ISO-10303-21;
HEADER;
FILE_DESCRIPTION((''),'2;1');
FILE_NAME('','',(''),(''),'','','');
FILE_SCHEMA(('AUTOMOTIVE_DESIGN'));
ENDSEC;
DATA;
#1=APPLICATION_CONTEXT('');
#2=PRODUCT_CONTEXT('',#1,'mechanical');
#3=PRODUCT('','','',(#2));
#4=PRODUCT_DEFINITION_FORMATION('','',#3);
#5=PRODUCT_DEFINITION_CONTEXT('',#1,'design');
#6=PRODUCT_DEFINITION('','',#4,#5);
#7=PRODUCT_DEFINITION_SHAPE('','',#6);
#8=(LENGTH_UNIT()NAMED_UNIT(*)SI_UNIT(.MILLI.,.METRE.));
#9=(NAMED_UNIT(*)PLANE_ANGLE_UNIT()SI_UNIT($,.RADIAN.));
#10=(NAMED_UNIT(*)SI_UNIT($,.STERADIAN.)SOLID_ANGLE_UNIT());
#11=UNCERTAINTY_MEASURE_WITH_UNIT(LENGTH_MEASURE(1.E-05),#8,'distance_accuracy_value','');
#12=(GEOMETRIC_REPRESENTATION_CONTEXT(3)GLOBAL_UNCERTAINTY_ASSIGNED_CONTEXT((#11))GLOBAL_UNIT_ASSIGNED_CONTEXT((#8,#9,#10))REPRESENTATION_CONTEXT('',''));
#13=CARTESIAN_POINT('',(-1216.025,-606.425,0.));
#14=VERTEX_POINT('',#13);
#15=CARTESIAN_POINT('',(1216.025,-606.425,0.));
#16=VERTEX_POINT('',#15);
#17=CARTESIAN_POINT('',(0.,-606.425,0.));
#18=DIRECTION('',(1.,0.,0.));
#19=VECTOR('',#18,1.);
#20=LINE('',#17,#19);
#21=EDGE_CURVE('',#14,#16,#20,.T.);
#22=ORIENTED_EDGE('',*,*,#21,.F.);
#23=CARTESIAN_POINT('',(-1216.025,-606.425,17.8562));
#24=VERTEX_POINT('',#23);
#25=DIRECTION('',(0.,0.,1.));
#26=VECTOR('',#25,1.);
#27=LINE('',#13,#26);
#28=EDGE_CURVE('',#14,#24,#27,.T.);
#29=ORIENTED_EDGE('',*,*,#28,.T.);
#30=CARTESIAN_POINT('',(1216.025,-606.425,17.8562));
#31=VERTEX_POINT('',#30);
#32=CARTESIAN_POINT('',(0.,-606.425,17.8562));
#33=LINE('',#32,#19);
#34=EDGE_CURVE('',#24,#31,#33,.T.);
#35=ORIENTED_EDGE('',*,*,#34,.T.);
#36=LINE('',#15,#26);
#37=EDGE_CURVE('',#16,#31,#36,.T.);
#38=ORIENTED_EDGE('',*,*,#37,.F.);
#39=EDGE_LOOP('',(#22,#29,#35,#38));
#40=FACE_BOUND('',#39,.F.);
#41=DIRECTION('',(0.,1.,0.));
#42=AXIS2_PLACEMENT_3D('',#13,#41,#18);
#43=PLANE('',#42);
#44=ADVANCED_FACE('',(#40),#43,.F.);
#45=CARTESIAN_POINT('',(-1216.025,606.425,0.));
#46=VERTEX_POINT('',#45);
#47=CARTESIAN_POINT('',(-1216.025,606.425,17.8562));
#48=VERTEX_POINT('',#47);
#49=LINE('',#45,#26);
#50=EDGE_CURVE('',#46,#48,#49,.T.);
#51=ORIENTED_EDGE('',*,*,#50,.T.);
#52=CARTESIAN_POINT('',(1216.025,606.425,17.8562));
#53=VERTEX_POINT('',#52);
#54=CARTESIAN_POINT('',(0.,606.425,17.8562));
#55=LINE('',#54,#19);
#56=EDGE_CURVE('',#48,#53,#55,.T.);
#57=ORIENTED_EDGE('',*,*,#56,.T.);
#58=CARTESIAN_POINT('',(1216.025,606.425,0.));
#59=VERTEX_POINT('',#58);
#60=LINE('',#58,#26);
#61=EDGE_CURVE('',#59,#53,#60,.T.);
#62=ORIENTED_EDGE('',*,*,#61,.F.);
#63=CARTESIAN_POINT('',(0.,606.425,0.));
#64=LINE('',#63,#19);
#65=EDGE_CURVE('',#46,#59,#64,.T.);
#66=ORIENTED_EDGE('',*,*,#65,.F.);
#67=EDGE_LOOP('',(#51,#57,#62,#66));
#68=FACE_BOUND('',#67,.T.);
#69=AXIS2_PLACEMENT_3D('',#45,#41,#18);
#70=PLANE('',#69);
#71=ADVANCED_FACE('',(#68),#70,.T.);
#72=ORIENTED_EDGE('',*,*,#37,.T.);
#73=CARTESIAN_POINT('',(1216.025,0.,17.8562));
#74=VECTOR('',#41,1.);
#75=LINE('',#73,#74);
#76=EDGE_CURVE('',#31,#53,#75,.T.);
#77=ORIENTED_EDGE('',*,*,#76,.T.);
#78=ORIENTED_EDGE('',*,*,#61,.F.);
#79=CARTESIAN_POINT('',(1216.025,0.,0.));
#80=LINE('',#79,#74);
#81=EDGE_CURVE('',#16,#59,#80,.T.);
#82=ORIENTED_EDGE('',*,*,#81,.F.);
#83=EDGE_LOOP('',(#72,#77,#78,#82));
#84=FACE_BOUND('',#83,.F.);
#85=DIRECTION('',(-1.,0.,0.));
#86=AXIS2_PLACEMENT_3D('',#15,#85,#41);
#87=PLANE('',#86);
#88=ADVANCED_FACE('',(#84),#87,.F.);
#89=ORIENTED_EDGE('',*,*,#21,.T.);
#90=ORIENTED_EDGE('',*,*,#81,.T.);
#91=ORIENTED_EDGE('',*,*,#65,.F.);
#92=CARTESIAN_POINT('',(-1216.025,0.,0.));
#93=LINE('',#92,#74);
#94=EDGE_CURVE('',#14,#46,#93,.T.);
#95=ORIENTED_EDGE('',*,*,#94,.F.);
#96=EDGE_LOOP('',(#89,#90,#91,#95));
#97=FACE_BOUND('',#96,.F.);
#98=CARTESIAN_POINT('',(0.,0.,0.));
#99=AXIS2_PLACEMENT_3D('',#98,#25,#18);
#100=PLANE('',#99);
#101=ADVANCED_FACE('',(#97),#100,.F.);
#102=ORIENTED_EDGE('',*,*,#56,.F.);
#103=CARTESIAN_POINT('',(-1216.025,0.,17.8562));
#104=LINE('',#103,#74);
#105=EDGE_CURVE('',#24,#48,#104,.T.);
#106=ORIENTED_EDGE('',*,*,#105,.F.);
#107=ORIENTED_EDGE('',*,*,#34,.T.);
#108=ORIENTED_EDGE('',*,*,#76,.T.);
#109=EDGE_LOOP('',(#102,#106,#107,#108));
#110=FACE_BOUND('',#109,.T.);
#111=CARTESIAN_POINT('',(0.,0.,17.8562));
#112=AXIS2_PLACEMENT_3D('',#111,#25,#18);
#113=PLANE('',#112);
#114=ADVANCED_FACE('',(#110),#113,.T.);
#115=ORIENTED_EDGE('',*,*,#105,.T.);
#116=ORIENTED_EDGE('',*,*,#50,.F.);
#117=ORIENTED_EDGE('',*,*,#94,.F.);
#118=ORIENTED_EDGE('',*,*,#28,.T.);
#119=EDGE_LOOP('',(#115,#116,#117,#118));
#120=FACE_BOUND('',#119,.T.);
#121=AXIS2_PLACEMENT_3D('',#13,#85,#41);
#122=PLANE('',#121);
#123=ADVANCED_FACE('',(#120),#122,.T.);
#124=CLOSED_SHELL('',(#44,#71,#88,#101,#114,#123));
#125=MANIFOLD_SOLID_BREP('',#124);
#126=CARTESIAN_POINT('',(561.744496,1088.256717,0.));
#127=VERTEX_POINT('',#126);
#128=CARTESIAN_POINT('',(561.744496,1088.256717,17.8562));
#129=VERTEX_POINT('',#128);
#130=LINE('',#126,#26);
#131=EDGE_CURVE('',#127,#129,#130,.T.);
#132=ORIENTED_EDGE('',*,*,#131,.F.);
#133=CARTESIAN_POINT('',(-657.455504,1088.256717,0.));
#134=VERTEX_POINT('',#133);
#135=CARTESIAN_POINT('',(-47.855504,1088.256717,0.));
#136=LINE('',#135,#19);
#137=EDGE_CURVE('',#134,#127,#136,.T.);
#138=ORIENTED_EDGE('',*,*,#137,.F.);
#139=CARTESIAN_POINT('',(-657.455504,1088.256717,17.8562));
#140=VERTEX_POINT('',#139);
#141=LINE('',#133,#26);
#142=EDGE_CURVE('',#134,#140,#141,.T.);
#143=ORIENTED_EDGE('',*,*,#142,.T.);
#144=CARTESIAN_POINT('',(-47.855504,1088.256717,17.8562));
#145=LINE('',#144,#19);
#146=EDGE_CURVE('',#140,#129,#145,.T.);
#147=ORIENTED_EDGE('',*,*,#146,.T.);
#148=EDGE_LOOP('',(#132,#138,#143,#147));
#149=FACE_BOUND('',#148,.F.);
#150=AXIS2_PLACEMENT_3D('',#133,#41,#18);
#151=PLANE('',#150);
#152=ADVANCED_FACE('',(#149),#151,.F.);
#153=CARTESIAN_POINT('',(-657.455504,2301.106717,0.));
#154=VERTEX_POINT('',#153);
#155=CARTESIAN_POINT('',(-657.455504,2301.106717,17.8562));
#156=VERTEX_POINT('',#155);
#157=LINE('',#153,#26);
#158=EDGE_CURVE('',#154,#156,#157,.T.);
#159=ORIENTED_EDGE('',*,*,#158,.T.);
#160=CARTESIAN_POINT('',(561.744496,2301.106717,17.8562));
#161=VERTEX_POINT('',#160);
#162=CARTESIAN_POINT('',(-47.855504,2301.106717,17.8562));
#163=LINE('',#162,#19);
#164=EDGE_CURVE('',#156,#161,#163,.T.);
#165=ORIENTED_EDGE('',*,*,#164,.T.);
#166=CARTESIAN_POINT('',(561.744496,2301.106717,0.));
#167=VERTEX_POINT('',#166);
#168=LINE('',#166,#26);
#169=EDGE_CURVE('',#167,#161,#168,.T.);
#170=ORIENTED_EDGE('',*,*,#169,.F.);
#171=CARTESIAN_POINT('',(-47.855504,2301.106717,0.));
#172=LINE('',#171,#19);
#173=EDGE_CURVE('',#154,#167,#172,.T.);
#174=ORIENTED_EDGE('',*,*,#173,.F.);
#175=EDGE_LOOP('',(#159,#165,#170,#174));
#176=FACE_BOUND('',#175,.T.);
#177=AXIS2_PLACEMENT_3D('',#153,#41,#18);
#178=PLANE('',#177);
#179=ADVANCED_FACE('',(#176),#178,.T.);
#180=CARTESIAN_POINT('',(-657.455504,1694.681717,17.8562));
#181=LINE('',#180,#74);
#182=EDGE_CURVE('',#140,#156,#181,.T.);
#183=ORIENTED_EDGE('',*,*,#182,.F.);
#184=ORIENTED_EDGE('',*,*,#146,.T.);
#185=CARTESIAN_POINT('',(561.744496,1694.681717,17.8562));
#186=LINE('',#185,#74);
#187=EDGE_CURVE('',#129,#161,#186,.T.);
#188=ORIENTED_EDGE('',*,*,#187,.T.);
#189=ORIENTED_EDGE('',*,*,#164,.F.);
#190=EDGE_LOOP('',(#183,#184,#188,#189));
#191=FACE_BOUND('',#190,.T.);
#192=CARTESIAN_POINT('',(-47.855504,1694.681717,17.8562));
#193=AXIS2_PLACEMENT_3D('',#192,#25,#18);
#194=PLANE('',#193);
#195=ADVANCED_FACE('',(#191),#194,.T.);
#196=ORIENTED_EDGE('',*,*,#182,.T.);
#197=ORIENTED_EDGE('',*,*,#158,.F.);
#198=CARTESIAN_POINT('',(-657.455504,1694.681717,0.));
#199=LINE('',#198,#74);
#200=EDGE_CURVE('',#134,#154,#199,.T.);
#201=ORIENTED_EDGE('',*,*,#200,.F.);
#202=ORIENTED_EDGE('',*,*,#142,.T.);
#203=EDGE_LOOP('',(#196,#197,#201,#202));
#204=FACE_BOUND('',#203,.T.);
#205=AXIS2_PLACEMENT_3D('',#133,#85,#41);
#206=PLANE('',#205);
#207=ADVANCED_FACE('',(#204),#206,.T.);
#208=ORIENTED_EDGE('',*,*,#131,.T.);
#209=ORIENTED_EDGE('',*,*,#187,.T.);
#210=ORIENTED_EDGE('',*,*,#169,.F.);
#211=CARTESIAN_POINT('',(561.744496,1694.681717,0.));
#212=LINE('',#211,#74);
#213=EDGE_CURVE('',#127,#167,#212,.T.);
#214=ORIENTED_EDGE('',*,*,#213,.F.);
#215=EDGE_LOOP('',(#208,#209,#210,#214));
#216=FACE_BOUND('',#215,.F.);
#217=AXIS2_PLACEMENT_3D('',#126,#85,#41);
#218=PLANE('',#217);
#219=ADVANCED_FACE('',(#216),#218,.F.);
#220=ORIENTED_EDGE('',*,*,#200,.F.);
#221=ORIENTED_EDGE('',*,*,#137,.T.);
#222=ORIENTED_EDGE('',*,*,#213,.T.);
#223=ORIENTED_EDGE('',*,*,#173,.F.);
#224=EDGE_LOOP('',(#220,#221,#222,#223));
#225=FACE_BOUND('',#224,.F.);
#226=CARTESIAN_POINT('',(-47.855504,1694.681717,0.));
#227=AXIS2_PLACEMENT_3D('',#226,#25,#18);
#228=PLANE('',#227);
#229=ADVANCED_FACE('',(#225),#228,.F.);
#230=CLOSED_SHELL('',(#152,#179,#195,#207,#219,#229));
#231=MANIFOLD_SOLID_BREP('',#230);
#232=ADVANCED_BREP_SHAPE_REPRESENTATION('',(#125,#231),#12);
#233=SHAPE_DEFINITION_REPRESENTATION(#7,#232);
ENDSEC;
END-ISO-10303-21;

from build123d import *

# Parameters (mm, degrees)
F0_W     = 2432.05
F0_H     = 1212.85
F1_DEPTH = 17.8562
F0_W_2   = 1219.2
F2_DEPTH = 17.8562


with BuildPart() as f1:
    # F0 (on Top) → F1 (new body)
    with BuildSketch(Plane.XY):
        Rectangle(F0_W, F0_H)
    extrude(amount=F1_DEPTH)


with BuildPart() as f2:
    # F0 (on Top) → F2 (new body)
    with BuildSketch(Plane.XY):
        with Locations((-47.855504, 1694.681717)):
            Rectangle(F0_W_2, F0_H)
    extrude(amount=F2_DEPTH)


solid = Compound([f1.part, f2.part])
